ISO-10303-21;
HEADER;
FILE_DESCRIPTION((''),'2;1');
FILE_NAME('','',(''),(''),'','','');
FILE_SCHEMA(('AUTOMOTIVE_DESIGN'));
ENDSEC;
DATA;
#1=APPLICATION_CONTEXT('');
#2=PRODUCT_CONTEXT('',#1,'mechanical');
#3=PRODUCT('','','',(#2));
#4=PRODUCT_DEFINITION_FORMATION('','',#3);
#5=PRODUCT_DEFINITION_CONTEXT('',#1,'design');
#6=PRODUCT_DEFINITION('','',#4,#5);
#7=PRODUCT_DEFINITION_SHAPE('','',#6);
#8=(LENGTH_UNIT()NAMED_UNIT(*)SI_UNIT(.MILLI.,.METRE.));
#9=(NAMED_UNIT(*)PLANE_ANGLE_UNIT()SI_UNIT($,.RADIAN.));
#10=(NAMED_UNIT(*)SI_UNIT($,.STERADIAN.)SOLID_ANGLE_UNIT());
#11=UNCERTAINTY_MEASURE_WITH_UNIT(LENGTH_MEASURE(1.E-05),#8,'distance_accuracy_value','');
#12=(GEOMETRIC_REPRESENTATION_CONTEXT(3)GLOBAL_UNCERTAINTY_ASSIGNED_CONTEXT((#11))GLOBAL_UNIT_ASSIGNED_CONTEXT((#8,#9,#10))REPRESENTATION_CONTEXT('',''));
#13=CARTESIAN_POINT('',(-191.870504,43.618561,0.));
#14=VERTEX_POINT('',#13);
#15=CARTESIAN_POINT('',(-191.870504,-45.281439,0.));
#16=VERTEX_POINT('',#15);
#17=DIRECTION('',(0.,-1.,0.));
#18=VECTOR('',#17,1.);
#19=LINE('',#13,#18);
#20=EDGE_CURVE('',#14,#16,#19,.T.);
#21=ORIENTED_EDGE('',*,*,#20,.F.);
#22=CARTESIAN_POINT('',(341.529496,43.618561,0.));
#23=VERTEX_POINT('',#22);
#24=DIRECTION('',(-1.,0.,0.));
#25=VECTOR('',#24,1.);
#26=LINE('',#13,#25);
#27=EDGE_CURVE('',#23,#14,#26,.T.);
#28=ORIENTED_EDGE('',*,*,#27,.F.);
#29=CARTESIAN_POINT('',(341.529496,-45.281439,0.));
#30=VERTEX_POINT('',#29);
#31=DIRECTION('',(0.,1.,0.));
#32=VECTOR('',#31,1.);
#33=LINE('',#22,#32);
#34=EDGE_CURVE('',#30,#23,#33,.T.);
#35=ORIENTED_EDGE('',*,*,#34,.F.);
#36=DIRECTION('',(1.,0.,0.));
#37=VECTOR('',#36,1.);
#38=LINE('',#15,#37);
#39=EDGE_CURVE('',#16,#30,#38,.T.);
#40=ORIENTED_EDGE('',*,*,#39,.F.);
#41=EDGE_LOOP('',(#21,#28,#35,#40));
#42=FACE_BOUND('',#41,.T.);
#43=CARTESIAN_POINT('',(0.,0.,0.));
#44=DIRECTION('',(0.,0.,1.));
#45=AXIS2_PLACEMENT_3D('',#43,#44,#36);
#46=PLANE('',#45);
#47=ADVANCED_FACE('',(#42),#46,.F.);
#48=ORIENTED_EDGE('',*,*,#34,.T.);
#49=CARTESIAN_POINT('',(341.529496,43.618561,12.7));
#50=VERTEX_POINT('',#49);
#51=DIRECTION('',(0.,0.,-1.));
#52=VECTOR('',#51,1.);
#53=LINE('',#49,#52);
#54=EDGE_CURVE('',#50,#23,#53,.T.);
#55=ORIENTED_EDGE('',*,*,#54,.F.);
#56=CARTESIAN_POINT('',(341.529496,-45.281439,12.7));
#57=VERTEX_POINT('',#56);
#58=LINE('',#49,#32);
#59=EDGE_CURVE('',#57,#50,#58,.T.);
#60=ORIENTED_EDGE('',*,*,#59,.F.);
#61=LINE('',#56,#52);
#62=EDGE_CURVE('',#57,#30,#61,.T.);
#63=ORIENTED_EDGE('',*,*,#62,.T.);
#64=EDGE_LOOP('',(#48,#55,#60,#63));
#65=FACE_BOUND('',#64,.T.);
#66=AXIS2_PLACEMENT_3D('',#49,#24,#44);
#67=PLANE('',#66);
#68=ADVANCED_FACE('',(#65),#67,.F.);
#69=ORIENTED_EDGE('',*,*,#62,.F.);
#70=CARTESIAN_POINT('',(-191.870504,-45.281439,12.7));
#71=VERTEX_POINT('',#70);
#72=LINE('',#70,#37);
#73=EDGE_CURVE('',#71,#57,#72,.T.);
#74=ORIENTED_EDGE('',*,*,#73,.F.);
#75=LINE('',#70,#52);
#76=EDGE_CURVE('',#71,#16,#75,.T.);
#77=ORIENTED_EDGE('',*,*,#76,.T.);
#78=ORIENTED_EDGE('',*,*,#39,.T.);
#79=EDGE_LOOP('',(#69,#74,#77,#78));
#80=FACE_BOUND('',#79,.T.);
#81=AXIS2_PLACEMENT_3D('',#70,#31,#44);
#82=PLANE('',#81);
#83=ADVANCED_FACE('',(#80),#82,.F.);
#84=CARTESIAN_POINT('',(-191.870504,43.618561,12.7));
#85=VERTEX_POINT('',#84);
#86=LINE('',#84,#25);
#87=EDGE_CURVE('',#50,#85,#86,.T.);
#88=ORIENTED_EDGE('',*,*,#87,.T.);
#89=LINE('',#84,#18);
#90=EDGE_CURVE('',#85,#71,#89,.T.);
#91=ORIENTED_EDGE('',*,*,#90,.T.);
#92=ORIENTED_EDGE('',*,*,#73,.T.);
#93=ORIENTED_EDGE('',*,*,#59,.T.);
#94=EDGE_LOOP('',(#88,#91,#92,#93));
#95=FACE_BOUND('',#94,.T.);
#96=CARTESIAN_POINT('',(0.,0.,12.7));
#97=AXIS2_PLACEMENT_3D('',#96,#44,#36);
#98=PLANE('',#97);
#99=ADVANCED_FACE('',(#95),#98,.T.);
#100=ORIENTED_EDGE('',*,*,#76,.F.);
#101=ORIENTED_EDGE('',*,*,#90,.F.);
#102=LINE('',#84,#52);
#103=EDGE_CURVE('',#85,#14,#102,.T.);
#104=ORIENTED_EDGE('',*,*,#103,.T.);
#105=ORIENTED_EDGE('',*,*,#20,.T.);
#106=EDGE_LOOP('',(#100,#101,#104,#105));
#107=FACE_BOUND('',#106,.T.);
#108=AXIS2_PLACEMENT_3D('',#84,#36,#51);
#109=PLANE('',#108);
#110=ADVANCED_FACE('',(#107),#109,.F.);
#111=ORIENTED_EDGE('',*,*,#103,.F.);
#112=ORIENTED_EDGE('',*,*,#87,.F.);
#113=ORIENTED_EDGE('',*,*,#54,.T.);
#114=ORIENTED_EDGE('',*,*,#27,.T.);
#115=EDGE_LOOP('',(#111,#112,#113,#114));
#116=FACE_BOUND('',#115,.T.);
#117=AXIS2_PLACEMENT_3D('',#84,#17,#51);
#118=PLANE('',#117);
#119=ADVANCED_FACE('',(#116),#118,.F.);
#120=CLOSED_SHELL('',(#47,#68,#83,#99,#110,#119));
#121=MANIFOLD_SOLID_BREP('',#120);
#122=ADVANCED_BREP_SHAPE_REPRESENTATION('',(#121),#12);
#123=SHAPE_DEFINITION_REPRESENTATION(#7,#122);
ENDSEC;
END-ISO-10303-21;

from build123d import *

# Parameters (mm, degrees)
SKETCH1_W           = 533.4
SKETCH1_H           = 88.9
BOSS_EXTRUDE1_DEPTH = 12.7


with BuildPart() as part:
    # Sketch1 → Boss-Extrude1 (new body)
    with BuildSketch(Plane.XY):
        with Locations((74.829496403, -0.831438849)):
            Rectangle(SKETCH1_W, SKETCH1_H)
    extrude(amount=BOSS_EXTRUDE1_DEPTH)


solid = part.part
